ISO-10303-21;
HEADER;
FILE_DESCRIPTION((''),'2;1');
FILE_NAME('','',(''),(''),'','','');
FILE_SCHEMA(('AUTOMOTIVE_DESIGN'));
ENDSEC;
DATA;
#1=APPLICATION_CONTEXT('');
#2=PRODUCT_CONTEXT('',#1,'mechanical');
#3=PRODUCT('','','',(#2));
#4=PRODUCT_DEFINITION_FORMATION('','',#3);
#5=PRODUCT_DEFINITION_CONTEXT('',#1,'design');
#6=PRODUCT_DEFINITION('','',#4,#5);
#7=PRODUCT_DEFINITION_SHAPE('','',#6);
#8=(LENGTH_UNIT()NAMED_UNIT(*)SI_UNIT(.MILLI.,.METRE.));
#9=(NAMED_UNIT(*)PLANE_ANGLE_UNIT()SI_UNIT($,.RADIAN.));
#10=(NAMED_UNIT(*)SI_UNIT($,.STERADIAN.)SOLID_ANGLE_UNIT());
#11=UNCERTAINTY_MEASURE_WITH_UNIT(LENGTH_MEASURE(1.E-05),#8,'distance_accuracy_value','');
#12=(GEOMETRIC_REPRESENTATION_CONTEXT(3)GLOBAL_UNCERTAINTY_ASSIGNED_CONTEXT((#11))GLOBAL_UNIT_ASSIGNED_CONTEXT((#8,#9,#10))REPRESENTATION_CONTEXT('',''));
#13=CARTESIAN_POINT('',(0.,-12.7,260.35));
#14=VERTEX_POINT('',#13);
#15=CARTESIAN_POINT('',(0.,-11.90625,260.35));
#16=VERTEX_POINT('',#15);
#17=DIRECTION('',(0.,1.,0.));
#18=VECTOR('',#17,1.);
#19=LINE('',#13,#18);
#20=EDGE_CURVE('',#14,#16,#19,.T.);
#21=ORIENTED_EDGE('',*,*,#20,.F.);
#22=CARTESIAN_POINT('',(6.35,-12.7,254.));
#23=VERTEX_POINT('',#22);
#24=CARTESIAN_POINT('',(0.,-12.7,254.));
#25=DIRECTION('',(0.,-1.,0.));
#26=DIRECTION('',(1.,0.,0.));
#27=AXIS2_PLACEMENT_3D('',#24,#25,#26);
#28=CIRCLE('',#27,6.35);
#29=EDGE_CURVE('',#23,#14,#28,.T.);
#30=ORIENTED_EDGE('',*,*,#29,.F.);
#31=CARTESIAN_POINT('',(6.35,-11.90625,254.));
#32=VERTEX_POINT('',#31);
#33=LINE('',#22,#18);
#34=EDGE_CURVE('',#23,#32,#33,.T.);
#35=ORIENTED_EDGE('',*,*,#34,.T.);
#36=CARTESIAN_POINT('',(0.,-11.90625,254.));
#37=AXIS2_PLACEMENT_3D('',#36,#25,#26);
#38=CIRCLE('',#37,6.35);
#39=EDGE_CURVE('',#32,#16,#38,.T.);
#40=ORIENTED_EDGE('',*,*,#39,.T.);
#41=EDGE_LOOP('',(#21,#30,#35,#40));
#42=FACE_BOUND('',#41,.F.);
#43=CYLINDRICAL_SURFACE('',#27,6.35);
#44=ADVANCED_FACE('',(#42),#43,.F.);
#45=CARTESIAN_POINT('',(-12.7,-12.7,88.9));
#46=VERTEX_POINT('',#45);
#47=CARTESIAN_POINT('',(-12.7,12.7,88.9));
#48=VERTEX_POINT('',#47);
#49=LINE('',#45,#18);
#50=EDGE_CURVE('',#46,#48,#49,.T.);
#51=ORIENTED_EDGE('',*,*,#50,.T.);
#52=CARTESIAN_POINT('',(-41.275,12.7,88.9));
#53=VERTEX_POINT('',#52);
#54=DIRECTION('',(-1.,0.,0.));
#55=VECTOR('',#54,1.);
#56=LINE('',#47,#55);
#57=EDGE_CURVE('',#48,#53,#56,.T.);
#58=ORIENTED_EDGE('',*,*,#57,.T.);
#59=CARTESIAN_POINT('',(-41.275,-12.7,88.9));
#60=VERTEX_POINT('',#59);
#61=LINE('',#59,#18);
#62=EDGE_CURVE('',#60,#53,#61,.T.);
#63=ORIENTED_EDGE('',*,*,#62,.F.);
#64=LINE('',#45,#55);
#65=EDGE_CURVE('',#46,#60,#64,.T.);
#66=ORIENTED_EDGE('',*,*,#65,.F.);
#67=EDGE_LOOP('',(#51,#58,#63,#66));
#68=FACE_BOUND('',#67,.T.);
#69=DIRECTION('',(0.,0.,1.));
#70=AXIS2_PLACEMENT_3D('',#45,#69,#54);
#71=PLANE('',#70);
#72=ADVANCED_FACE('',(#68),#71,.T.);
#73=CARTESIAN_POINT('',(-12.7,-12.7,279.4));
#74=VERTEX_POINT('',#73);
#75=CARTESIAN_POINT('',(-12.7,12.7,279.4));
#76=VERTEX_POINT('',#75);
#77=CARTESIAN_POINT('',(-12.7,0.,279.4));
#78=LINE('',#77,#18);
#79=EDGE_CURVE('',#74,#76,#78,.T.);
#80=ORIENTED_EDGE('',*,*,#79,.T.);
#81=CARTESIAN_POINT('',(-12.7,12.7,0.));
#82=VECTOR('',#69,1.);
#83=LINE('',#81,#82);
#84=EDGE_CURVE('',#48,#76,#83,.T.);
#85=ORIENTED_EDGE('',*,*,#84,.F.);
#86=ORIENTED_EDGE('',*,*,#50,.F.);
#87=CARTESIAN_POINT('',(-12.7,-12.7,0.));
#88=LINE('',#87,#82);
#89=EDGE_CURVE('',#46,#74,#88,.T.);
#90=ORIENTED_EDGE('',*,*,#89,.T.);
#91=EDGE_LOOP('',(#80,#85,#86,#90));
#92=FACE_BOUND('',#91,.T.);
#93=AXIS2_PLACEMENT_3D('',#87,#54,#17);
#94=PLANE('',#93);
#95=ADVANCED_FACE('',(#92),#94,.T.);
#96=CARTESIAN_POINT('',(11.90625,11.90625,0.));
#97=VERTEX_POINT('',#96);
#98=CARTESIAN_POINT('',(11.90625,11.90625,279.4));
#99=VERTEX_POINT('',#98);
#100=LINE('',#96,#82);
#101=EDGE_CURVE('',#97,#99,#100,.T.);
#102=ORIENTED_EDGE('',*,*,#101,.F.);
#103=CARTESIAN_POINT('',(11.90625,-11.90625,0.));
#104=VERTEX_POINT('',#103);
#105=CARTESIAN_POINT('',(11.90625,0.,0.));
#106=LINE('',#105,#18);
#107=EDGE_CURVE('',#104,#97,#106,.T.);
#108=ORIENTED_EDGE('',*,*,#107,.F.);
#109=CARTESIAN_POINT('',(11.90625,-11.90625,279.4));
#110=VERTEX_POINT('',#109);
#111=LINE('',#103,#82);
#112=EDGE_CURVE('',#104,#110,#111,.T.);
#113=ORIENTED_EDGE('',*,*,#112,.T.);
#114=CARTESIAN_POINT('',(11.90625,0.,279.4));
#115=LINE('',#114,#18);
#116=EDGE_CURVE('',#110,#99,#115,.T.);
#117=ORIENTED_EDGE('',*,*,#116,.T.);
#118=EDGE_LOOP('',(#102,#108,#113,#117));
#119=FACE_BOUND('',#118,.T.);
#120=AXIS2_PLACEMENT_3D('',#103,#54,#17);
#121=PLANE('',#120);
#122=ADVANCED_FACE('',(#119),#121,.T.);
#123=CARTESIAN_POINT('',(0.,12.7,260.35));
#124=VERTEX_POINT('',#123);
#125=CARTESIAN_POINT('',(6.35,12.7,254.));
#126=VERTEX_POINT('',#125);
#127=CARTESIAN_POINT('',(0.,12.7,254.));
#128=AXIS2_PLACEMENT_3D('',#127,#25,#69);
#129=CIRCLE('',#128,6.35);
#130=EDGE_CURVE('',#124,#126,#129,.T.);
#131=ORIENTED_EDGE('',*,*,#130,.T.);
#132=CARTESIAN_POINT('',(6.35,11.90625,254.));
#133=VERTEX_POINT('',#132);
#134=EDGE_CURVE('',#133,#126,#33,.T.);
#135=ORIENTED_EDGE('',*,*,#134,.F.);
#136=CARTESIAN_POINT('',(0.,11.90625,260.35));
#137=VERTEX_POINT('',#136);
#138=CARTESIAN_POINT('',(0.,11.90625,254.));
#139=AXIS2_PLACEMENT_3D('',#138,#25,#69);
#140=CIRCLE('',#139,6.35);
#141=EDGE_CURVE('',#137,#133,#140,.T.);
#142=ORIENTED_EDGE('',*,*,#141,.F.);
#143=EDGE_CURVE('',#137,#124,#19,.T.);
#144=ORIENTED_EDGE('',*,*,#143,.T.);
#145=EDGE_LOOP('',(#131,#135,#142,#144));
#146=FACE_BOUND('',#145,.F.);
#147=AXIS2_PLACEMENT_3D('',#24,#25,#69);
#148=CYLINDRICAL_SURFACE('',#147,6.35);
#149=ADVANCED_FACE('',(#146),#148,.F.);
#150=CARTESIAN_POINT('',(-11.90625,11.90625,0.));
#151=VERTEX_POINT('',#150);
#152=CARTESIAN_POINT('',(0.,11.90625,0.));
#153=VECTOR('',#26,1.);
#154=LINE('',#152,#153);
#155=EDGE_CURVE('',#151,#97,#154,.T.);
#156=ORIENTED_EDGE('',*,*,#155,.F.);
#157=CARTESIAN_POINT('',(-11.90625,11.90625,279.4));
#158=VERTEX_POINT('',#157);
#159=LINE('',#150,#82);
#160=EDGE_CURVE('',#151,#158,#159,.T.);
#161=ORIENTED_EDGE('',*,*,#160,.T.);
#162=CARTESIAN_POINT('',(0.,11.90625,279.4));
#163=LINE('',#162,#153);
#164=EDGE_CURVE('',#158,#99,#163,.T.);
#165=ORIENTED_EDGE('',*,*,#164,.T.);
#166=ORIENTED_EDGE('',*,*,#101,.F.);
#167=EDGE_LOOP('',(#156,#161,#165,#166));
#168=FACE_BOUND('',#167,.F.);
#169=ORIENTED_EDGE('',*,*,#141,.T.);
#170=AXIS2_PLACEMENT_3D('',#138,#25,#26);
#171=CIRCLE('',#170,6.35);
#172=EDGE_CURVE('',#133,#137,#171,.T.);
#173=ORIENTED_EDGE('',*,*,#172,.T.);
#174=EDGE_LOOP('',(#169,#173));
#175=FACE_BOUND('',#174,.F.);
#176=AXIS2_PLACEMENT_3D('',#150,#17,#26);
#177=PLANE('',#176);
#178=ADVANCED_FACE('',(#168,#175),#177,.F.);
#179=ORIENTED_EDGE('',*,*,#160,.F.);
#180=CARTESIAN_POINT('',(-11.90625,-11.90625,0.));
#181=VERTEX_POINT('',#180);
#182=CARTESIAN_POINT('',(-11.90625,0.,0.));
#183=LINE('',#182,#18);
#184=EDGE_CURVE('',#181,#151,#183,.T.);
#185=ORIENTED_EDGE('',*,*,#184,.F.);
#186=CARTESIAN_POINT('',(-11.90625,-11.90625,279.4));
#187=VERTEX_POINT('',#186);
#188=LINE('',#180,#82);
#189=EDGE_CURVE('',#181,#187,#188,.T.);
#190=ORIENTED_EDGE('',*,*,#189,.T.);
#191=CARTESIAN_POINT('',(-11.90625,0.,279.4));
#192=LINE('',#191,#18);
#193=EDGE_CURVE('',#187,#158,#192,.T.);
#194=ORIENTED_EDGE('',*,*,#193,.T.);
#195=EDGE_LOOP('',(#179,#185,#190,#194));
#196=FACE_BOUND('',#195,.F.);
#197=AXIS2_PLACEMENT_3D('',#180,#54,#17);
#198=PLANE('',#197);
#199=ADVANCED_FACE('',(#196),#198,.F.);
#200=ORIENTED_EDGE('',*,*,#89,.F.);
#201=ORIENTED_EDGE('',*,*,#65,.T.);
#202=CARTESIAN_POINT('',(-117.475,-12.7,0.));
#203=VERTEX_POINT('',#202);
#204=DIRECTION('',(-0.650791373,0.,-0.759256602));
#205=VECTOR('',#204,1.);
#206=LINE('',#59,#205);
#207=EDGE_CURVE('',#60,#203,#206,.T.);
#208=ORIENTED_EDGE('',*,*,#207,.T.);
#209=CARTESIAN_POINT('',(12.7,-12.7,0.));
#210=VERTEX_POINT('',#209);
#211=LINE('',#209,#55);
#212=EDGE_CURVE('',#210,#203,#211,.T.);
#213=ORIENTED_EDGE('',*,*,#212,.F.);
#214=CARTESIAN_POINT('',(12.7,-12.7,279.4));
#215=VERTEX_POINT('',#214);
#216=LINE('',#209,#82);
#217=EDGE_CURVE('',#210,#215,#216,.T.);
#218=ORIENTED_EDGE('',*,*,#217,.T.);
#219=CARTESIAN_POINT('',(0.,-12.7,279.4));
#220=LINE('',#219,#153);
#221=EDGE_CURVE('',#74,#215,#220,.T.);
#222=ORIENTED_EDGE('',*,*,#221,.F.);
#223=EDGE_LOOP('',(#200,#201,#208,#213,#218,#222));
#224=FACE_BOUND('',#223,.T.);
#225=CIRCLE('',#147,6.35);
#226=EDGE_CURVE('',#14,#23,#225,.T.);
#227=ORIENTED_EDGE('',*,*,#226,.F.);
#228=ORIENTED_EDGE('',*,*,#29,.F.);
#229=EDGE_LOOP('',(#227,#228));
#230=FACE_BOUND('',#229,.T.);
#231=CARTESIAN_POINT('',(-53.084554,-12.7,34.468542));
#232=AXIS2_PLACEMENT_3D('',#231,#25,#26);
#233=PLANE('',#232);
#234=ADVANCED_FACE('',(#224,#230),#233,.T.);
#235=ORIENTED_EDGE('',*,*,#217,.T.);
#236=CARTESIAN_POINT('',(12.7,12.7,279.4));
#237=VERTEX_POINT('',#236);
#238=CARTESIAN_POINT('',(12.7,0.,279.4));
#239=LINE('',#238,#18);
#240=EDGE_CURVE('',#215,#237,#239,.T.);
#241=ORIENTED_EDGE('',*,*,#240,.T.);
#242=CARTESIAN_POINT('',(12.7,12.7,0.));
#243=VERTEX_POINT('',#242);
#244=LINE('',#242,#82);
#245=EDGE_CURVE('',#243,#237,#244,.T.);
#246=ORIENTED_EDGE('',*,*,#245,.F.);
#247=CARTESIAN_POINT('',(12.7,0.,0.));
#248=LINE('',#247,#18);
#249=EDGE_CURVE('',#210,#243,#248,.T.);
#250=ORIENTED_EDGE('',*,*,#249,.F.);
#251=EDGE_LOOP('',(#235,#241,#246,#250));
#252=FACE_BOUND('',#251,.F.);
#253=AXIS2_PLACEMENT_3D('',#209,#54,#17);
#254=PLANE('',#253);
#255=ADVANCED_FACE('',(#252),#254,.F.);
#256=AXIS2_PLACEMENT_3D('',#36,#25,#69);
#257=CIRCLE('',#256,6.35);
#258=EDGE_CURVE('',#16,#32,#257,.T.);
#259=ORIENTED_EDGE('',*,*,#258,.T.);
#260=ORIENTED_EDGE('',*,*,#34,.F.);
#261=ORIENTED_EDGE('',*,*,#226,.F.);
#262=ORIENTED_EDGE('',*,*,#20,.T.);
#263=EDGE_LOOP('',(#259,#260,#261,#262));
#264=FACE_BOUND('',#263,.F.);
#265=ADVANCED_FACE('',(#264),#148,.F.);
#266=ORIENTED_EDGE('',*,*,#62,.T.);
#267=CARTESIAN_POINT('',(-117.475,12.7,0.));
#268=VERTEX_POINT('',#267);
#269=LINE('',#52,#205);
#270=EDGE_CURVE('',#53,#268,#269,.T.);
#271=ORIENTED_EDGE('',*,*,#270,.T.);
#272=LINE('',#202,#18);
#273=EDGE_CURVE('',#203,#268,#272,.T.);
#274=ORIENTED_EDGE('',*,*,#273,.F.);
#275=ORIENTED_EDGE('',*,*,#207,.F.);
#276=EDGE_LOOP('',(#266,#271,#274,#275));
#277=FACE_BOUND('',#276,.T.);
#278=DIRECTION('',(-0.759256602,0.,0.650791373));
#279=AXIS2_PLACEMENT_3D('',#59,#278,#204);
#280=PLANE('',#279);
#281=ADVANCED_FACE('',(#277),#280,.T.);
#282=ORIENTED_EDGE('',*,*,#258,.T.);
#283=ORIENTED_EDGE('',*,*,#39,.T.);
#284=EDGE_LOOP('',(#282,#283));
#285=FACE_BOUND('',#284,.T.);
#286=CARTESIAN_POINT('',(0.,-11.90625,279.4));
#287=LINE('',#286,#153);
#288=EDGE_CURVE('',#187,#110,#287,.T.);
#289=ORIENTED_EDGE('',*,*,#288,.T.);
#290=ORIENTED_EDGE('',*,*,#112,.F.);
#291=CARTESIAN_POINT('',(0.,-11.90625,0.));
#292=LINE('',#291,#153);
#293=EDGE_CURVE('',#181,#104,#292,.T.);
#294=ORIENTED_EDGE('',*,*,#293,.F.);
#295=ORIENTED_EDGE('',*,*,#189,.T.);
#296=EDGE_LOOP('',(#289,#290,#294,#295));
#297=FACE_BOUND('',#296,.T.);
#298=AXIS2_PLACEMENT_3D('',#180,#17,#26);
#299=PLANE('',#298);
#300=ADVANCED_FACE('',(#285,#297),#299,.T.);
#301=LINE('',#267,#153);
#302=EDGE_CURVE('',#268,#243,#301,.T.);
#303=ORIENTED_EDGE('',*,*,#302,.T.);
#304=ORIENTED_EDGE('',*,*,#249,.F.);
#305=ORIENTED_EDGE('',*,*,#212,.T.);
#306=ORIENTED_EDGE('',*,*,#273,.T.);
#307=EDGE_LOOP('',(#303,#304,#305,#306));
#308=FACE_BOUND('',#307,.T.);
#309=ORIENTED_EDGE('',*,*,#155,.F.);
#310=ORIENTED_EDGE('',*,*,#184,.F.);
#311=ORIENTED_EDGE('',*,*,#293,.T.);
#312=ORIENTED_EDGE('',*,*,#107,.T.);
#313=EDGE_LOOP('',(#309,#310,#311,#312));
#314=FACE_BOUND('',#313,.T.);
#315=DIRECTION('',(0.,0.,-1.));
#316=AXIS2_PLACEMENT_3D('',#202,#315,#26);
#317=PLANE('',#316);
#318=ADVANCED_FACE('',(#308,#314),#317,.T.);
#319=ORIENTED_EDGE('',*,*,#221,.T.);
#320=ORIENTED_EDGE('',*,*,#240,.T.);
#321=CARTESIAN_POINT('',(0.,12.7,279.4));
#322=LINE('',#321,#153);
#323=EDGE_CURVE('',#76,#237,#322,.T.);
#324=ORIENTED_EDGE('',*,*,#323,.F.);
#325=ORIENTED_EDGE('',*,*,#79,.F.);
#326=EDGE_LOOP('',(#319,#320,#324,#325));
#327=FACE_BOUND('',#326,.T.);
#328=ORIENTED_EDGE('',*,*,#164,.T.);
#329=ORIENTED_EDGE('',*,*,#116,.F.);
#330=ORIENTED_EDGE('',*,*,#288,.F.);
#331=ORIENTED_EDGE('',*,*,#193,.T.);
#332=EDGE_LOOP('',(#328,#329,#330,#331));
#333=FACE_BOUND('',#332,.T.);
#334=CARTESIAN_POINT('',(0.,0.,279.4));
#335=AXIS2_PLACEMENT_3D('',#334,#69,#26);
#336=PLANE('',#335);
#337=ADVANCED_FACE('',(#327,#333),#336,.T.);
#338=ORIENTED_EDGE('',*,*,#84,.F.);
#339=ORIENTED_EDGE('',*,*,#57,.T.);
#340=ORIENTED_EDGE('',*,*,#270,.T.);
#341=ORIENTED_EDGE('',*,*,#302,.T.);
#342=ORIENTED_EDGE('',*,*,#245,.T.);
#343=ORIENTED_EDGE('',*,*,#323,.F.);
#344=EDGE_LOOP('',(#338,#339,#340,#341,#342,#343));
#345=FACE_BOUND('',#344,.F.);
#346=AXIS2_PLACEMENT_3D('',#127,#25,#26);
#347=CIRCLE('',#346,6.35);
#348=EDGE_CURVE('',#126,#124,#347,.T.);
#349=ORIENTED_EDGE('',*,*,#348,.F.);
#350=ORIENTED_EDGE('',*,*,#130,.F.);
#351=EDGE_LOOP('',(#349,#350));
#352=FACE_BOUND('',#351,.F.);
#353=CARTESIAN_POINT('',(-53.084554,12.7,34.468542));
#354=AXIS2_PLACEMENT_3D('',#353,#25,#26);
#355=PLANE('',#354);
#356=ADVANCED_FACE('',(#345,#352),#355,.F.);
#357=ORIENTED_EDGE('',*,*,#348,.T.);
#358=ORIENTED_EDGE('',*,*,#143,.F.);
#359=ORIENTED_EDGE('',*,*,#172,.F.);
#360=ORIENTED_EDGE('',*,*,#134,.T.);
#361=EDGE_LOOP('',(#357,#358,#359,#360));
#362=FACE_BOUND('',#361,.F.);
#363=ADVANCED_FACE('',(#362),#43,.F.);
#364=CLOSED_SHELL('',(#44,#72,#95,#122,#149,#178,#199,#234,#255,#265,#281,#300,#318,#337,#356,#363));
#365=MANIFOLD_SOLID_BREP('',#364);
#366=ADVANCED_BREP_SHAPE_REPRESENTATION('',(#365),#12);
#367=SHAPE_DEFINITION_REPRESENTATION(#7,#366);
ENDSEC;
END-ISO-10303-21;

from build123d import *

# Parameters (mm, degrees)
F0_W     = 25.4
F0_H     = 25.4
F0_W_2   = 23.8125
F0_H_2   = 23.8125
F1_DEPTH = 279.4
F3_DEPTH = 25.4
F6_DEPTH = 25.4


with BuildPart() as f1:
    # F0 (on Top) → F1 (new body)
    with BuildSketch(Plane.XY):
        Rectangle(F0_W, F0_H)
        Rectangle(F0_W_2, F0_H_2, mode=Mode.SUBTRACT)
    extrude(amount=F1_DEPTH)


with BuildPart() as f3:
    # F2 (on face) → F3 (new body)
    with BuildSketch(Plane.XZ.offset(12.7)):
        Polygon((-117.475, 0), (-12.7, 0), (-12.7, 88.9), (-41.275, 88.9), align=None)
    extrude(amount=-F3_DEPTH)


with BuildPart() as f1_1:
    add(f1.part)

    # F4: union F3
    add(f3.part)

    # F5 (on face) → F6 (cut)
    with BuildSketch(Plane.XZ.offset(12.7)):
        with BuildLine():
            ThreePointArc((6.35, 254), (4.4901280605, 258.4901280605), (0, 260.35))
            ThreePointArc((0, 260.35), (-4.4901280605, 249.5098719395), (6.35, 254))
        make_face()
    extrude(amount=-F6_DEPTH, mode=Mode.SUBTRACT)


solid = f1_1.part
